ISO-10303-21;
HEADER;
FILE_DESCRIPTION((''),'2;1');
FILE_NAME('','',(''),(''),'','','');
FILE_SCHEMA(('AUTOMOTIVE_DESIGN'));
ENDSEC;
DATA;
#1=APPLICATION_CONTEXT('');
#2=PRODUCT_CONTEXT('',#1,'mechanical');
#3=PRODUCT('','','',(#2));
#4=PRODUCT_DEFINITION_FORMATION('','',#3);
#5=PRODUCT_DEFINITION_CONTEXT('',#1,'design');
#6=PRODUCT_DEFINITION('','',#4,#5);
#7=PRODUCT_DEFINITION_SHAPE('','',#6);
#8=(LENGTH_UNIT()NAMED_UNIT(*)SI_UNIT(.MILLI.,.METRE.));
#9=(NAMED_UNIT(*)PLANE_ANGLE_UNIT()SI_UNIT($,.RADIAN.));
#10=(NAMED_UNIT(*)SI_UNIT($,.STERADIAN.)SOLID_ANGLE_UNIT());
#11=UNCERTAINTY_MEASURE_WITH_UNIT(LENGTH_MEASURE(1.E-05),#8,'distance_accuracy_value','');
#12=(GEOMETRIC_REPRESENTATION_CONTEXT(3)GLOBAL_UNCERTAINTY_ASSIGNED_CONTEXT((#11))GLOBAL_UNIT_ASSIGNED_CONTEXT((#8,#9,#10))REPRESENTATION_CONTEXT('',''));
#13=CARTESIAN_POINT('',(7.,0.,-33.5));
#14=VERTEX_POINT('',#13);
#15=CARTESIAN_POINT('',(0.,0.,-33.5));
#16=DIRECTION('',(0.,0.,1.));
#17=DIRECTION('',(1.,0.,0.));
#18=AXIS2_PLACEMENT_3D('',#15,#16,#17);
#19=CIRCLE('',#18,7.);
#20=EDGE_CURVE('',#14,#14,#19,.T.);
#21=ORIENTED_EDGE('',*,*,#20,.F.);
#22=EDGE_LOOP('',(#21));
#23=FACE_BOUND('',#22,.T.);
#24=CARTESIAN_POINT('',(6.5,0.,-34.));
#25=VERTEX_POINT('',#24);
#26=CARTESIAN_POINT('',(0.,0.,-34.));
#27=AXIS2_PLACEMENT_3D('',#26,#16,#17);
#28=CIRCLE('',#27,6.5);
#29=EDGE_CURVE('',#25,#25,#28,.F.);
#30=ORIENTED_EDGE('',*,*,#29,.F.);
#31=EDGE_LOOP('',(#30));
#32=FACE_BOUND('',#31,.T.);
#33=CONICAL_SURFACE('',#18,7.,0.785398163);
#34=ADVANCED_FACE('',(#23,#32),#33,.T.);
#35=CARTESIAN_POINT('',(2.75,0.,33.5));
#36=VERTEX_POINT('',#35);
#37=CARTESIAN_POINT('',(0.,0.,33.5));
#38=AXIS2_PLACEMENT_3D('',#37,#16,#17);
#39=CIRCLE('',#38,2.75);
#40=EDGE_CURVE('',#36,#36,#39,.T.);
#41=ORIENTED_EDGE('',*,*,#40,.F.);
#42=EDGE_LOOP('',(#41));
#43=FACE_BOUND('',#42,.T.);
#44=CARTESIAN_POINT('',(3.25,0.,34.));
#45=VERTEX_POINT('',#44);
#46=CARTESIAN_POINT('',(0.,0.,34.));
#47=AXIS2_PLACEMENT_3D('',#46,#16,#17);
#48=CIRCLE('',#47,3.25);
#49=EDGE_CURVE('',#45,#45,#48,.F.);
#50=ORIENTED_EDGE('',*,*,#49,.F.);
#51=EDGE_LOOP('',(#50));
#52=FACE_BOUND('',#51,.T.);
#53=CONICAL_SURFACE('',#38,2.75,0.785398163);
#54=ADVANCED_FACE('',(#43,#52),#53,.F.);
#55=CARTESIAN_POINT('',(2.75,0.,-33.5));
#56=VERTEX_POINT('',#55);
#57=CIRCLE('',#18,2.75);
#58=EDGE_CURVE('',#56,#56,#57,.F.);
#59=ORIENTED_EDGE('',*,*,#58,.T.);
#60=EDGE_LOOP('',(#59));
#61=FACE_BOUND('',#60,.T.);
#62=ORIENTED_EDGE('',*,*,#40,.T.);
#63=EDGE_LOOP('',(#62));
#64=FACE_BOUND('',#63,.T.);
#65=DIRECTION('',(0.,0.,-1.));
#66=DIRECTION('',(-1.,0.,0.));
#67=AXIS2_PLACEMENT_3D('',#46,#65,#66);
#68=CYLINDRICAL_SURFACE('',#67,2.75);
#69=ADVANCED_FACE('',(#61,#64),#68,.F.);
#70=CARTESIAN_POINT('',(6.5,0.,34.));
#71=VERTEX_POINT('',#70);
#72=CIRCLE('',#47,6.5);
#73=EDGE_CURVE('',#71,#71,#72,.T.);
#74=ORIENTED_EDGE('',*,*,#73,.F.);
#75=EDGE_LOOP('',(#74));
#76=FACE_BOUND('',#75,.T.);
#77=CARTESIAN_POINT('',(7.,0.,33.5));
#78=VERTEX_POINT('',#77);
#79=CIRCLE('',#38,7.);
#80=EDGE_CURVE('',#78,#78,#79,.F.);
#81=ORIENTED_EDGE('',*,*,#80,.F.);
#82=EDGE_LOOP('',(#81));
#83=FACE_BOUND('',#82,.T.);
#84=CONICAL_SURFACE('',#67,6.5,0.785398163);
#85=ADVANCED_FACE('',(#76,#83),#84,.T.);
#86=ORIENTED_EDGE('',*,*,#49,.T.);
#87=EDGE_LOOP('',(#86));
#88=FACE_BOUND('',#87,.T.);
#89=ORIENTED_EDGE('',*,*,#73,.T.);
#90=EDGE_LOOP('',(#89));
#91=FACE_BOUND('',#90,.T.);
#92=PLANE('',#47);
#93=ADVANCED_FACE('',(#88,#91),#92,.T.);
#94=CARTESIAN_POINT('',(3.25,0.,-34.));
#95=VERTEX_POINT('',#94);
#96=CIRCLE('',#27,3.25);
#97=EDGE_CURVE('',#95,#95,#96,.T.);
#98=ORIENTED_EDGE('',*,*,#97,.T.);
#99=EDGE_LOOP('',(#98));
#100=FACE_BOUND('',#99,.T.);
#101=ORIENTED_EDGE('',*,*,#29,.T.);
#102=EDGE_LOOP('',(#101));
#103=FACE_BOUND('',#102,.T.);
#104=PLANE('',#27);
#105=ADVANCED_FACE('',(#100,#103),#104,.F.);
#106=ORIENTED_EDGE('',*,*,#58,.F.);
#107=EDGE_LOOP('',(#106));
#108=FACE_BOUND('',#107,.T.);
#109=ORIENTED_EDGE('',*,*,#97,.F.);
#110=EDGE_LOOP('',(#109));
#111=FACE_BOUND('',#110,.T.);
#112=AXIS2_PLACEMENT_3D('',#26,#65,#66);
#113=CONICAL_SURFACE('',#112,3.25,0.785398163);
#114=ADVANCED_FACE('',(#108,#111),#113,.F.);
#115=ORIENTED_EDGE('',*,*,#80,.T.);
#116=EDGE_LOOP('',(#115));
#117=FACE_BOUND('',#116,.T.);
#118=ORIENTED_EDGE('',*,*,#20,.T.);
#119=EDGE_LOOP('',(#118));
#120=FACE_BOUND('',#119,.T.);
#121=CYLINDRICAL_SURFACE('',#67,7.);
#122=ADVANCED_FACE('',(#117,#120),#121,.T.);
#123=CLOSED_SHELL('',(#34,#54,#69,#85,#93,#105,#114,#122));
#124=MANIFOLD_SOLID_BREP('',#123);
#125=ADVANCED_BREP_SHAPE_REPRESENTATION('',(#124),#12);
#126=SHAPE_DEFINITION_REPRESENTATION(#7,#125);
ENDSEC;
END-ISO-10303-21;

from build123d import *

# Parameters (mm, degrees)
SKETCH1_R           = 7
SKETCH1_R_2         = 2.75
BOSS_EXTRUDE1_DEPTH = 34
CHAMFER1_SIZE       = 0.5
CHAMFER2_SIZE       = 0.5


with BuildPart() as part:
    # Sketch1 → Boss-Extrude1 (new, symmetric)
    with BuildSketch(Plane(origin=(0, 0, 0), x_dir=(0, 1, 0), z_dir=(0, 0, 1))):
        with Locations(Location((0, 0, 0), (0, 0, 270))):
            Circle(SKETCH1_R)
        with Locations(Location((0, 0, 0), (0, 0, 270))):
            Circle(SKETCH1_R_2, mode=Mode.SUBTRACT)
    extrude(amount=BOSS_EXTRUDE1_DEPTH, both=True)

    # Chamfer1
    chamfer1_edges = [part.edges().sort_by_distance(p)[0] for p in [
        (-2.75, 0, -34),
        (-2.75, 0, 34),
    ]]
    chamfer(chamfer1_edges, length=CHAMFER1_SIZE)

    # Chamfer2
    chamfer2_edges = [part.edges().sort_by_distance(p)[0] for p in [
        (-7, 0, -34),
        (-7, 0, 34),
    ]]
    chamfer(chamfer2_edges, length=CHAMFER2_SIZE)


solid = part.part
